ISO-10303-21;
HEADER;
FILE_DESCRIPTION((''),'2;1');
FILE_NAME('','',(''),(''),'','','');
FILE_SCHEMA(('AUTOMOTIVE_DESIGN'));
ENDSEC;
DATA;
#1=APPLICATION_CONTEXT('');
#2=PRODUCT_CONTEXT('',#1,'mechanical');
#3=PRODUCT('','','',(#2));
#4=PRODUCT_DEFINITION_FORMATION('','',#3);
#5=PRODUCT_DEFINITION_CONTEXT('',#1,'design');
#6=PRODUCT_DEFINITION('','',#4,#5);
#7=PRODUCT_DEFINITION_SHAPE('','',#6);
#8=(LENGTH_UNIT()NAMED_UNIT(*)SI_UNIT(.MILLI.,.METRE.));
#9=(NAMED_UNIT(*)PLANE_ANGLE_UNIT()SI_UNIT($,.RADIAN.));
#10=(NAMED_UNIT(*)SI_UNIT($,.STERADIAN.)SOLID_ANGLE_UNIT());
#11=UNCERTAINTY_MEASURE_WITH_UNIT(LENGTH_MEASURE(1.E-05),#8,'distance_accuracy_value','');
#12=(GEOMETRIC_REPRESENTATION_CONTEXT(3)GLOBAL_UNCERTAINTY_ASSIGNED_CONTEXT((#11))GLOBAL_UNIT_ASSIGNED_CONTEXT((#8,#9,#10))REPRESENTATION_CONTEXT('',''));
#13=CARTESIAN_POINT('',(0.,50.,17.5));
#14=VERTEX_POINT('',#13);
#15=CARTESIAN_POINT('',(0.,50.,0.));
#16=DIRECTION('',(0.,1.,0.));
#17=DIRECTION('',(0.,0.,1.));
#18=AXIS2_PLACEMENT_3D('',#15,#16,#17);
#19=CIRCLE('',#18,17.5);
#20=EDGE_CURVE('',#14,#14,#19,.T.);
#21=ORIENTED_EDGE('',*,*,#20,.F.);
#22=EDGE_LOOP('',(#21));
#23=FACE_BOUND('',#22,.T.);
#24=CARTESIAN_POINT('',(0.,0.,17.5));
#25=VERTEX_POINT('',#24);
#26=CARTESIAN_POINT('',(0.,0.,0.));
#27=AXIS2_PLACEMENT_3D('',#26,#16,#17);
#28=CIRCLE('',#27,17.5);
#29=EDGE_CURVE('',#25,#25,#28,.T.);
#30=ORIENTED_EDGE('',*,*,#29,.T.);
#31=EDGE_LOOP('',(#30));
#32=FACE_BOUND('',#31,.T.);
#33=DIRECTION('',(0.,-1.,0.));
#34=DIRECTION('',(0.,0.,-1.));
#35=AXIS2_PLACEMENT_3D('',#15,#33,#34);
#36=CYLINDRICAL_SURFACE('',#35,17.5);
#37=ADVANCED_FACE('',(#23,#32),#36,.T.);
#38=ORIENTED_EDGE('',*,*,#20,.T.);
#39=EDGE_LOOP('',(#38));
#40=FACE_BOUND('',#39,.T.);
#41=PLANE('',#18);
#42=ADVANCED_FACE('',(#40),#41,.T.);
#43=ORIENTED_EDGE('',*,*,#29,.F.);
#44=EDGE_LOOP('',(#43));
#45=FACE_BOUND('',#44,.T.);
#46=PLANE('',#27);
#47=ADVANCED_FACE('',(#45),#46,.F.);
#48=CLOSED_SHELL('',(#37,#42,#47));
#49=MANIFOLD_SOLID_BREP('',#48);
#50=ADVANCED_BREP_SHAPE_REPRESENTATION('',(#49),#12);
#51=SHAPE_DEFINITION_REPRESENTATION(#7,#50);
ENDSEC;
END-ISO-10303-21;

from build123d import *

# Parameters (mm, degrees)
ESQUISSE1_R        = 17.5
BOSS_EXTRU_1_DEPTH = 50


with BuildPart() as part:
    # Esquisse1 → Boss.-Extru.1 (new body)
    with BuildSketch(Plane(origin=(0, 0, 0), x_dir=(1, 0, 0), z_dir=(0, 1, 0))):
        with Locations(Location((0, 0, 0), (0, 0, 270))):
            Circle(ESQUISSE1_R)
    extrude(amount=BOSS_EXTRU_1_DEPTH)


solid = part.part
